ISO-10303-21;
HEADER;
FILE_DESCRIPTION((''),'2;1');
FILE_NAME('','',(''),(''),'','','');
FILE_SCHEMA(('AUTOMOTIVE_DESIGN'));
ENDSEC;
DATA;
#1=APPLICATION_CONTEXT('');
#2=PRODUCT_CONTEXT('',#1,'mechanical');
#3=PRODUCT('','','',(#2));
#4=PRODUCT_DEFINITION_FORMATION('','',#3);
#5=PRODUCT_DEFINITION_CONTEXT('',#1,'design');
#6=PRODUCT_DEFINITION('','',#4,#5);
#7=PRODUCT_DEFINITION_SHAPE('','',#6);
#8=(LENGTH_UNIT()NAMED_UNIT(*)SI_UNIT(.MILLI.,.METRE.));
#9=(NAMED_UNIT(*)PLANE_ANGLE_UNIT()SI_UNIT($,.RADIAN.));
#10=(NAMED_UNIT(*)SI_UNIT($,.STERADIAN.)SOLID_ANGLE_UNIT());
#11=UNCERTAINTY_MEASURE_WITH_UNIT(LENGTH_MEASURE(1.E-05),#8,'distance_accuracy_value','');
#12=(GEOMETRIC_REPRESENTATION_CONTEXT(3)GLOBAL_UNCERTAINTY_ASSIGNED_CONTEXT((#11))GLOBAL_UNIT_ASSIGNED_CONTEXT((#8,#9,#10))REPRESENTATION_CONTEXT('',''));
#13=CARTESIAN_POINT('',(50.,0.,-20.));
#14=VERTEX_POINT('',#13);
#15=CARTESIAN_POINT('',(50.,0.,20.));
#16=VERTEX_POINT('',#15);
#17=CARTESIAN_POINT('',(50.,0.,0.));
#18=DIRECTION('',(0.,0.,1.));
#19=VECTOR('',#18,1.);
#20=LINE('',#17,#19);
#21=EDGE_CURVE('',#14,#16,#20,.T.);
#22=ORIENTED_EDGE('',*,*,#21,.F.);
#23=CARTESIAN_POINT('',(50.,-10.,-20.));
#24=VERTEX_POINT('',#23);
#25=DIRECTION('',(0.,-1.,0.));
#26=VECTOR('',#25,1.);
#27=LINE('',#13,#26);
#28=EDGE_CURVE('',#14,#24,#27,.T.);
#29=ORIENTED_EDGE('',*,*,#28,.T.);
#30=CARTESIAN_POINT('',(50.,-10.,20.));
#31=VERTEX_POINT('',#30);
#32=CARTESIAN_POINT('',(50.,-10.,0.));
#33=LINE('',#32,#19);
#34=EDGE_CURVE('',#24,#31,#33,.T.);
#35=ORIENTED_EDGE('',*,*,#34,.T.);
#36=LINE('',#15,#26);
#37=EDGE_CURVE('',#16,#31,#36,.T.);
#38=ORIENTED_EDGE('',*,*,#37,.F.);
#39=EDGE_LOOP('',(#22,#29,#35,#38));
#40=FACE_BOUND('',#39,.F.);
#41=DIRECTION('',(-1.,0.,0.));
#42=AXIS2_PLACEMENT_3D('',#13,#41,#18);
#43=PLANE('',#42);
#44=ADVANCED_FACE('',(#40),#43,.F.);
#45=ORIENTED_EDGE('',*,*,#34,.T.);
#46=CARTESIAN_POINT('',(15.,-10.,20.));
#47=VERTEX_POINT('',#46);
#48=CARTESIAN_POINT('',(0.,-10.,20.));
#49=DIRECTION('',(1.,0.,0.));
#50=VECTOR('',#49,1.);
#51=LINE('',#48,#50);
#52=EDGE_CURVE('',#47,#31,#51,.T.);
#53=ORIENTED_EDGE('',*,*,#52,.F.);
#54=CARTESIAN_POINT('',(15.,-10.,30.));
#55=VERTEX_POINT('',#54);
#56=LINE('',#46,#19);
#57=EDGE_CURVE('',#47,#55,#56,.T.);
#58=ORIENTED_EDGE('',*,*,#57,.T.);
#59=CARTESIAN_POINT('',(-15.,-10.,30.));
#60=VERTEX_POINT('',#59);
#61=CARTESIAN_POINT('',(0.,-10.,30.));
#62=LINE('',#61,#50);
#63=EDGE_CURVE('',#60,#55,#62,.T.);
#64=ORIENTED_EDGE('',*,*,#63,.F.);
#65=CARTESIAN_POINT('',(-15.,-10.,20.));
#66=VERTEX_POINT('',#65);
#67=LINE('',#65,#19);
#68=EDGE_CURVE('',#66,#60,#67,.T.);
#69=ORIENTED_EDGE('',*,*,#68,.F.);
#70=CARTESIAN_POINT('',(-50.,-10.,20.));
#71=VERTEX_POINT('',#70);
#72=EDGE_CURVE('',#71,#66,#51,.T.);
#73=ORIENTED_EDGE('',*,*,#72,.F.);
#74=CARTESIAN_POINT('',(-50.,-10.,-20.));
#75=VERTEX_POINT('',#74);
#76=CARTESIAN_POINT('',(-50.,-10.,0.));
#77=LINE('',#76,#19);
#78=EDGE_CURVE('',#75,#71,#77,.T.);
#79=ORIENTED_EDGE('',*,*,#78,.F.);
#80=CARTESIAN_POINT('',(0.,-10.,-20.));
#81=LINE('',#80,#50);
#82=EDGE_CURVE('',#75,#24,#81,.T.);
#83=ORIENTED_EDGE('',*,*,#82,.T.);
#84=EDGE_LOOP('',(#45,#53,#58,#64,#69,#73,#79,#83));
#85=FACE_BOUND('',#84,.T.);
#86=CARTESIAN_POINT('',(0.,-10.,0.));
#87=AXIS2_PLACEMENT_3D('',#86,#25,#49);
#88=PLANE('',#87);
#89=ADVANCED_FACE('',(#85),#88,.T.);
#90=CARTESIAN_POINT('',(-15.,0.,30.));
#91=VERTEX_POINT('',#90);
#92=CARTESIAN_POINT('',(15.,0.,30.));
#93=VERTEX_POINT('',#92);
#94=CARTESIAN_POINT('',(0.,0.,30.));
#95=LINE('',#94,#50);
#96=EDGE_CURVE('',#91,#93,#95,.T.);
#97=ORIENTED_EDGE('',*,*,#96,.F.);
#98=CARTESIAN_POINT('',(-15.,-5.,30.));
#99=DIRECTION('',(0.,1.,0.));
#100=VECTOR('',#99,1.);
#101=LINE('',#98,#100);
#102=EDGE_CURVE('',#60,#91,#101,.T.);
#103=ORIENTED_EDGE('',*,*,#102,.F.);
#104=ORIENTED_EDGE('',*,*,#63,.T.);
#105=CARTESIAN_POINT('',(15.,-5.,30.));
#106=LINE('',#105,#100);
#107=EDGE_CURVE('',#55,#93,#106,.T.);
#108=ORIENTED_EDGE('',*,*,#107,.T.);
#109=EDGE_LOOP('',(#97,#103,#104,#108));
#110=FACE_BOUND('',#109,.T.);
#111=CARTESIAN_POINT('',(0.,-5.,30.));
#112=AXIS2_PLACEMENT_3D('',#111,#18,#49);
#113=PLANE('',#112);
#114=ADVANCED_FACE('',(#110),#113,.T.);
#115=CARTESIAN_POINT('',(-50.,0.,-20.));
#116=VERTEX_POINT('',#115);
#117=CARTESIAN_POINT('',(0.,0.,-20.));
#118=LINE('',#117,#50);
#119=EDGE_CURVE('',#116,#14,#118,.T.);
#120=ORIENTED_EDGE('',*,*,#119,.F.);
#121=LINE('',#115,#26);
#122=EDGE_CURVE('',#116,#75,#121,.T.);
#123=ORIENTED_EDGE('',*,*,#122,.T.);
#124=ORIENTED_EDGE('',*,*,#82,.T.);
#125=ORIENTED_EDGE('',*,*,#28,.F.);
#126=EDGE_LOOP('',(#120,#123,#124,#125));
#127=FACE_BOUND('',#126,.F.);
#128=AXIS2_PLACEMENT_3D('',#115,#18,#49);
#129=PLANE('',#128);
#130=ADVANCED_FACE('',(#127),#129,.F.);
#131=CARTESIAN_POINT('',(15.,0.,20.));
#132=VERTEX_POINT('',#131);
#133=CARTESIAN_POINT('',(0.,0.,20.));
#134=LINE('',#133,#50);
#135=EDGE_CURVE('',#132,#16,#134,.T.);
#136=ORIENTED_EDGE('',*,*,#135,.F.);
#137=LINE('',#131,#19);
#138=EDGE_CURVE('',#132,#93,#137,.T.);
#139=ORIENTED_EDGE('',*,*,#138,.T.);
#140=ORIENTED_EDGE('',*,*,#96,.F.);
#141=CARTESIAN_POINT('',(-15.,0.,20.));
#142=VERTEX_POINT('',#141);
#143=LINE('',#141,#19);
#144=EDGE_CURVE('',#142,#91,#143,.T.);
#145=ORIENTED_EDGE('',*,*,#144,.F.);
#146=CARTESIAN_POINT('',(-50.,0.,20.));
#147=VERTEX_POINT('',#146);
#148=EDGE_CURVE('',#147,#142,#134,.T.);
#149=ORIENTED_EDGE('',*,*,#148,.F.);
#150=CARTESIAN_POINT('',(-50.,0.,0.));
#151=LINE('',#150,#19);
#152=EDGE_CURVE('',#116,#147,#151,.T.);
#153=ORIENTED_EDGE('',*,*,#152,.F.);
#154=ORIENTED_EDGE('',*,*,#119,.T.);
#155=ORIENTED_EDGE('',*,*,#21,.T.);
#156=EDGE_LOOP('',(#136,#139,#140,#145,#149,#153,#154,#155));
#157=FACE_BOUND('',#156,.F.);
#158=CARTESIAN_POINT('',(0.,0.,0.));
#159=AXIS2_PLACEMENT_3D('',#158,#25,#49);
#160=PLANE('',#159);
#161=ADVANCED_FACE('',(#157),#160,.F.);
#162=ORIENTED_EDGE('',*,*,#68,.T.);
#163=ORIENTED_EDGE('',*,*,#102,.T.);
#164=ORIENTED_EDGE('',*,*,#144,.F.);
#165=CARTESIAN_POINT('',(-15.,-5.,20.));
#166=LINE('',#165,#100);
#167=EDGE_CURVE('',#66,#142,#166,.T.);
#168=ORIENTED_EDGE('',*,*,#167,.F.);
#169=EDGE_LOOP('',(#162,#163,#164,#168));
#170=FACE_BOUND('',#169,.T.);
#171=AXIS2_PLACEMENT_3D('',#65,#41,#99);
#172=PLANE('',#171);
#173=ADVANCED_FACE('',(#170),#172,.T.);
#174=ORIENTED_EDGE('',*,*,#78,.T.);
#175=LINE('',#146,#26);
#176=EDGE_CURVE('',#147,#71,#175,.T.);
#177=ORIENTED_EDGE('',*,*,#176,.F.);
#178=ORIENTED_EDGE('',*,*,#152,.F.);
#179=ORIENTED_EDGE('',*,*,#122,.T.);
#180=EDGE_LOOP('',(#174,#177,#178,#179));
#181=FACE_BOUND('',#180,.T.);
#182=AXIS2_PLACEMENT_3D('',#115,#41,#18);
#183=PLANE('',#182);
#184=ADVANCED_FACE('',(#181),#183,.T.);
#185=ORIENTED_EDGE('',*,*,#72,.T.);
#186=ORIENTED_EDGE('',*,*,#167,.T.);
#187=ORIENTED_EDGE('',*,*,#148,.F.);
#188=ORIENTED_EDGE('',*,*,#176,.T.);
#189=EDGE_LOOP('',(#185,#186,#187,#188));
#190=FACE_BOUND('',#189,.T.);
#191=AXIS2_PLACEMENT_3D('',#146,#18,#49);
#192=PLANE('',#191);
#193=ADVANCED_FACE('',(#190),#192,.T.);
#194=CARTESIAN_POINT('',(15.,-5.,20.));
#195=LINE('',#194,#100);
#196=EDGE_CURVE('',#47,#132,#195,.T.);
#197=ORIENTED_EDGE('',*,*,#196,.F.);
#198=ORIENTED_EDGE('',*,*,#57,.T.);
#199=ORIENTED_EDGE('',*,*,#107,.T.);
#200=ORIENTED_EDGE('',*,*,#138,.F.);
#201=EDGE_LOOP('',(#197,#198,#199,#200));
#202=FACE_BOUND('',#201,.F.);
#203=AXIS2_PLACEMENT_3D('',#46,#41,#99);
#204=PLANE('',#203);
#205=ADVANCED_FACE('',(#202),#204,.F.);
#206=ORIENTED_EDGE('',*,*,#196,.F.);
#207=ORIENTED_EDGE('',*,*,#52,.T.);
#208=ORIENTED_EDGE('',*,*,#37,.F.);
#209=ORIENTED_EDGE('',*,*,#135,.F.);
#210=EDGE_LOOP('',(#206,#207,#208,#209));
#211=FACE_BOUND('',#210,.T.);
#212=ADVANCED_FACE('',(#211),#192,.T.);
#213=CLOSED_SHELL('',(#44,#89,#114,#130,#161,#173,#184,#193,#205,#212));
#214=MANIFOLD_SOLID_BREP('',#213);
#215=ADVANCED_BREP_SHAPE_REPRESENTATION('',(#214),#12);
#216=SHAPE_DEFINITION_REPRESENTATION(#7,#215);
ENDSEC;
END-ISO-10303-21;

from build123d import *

# Parameters (mm, degrees)
F0_W     = 100
F0_H     = 40
F1_DEPTH = 10
F2_W     = 30
F2_H     = 10
F3_DEPTH = 10


with BuildPart() as f1:
    # F0 (on Front) → F1 (new body)
    with BuildSketch(Plane.XZ):
        Rectangle(F0_W, F0_H)
    extrude(amount=F1_DEPTH)

    # F2 (on face) → F3 (join)
    with BuildSketch(Plane.XY.offset(20)):
        with Locations((0, -5)):
            Rectangle(F2_W, F2_H)
    extrude(amount=F3_DEPTH)


solid = f1.part
